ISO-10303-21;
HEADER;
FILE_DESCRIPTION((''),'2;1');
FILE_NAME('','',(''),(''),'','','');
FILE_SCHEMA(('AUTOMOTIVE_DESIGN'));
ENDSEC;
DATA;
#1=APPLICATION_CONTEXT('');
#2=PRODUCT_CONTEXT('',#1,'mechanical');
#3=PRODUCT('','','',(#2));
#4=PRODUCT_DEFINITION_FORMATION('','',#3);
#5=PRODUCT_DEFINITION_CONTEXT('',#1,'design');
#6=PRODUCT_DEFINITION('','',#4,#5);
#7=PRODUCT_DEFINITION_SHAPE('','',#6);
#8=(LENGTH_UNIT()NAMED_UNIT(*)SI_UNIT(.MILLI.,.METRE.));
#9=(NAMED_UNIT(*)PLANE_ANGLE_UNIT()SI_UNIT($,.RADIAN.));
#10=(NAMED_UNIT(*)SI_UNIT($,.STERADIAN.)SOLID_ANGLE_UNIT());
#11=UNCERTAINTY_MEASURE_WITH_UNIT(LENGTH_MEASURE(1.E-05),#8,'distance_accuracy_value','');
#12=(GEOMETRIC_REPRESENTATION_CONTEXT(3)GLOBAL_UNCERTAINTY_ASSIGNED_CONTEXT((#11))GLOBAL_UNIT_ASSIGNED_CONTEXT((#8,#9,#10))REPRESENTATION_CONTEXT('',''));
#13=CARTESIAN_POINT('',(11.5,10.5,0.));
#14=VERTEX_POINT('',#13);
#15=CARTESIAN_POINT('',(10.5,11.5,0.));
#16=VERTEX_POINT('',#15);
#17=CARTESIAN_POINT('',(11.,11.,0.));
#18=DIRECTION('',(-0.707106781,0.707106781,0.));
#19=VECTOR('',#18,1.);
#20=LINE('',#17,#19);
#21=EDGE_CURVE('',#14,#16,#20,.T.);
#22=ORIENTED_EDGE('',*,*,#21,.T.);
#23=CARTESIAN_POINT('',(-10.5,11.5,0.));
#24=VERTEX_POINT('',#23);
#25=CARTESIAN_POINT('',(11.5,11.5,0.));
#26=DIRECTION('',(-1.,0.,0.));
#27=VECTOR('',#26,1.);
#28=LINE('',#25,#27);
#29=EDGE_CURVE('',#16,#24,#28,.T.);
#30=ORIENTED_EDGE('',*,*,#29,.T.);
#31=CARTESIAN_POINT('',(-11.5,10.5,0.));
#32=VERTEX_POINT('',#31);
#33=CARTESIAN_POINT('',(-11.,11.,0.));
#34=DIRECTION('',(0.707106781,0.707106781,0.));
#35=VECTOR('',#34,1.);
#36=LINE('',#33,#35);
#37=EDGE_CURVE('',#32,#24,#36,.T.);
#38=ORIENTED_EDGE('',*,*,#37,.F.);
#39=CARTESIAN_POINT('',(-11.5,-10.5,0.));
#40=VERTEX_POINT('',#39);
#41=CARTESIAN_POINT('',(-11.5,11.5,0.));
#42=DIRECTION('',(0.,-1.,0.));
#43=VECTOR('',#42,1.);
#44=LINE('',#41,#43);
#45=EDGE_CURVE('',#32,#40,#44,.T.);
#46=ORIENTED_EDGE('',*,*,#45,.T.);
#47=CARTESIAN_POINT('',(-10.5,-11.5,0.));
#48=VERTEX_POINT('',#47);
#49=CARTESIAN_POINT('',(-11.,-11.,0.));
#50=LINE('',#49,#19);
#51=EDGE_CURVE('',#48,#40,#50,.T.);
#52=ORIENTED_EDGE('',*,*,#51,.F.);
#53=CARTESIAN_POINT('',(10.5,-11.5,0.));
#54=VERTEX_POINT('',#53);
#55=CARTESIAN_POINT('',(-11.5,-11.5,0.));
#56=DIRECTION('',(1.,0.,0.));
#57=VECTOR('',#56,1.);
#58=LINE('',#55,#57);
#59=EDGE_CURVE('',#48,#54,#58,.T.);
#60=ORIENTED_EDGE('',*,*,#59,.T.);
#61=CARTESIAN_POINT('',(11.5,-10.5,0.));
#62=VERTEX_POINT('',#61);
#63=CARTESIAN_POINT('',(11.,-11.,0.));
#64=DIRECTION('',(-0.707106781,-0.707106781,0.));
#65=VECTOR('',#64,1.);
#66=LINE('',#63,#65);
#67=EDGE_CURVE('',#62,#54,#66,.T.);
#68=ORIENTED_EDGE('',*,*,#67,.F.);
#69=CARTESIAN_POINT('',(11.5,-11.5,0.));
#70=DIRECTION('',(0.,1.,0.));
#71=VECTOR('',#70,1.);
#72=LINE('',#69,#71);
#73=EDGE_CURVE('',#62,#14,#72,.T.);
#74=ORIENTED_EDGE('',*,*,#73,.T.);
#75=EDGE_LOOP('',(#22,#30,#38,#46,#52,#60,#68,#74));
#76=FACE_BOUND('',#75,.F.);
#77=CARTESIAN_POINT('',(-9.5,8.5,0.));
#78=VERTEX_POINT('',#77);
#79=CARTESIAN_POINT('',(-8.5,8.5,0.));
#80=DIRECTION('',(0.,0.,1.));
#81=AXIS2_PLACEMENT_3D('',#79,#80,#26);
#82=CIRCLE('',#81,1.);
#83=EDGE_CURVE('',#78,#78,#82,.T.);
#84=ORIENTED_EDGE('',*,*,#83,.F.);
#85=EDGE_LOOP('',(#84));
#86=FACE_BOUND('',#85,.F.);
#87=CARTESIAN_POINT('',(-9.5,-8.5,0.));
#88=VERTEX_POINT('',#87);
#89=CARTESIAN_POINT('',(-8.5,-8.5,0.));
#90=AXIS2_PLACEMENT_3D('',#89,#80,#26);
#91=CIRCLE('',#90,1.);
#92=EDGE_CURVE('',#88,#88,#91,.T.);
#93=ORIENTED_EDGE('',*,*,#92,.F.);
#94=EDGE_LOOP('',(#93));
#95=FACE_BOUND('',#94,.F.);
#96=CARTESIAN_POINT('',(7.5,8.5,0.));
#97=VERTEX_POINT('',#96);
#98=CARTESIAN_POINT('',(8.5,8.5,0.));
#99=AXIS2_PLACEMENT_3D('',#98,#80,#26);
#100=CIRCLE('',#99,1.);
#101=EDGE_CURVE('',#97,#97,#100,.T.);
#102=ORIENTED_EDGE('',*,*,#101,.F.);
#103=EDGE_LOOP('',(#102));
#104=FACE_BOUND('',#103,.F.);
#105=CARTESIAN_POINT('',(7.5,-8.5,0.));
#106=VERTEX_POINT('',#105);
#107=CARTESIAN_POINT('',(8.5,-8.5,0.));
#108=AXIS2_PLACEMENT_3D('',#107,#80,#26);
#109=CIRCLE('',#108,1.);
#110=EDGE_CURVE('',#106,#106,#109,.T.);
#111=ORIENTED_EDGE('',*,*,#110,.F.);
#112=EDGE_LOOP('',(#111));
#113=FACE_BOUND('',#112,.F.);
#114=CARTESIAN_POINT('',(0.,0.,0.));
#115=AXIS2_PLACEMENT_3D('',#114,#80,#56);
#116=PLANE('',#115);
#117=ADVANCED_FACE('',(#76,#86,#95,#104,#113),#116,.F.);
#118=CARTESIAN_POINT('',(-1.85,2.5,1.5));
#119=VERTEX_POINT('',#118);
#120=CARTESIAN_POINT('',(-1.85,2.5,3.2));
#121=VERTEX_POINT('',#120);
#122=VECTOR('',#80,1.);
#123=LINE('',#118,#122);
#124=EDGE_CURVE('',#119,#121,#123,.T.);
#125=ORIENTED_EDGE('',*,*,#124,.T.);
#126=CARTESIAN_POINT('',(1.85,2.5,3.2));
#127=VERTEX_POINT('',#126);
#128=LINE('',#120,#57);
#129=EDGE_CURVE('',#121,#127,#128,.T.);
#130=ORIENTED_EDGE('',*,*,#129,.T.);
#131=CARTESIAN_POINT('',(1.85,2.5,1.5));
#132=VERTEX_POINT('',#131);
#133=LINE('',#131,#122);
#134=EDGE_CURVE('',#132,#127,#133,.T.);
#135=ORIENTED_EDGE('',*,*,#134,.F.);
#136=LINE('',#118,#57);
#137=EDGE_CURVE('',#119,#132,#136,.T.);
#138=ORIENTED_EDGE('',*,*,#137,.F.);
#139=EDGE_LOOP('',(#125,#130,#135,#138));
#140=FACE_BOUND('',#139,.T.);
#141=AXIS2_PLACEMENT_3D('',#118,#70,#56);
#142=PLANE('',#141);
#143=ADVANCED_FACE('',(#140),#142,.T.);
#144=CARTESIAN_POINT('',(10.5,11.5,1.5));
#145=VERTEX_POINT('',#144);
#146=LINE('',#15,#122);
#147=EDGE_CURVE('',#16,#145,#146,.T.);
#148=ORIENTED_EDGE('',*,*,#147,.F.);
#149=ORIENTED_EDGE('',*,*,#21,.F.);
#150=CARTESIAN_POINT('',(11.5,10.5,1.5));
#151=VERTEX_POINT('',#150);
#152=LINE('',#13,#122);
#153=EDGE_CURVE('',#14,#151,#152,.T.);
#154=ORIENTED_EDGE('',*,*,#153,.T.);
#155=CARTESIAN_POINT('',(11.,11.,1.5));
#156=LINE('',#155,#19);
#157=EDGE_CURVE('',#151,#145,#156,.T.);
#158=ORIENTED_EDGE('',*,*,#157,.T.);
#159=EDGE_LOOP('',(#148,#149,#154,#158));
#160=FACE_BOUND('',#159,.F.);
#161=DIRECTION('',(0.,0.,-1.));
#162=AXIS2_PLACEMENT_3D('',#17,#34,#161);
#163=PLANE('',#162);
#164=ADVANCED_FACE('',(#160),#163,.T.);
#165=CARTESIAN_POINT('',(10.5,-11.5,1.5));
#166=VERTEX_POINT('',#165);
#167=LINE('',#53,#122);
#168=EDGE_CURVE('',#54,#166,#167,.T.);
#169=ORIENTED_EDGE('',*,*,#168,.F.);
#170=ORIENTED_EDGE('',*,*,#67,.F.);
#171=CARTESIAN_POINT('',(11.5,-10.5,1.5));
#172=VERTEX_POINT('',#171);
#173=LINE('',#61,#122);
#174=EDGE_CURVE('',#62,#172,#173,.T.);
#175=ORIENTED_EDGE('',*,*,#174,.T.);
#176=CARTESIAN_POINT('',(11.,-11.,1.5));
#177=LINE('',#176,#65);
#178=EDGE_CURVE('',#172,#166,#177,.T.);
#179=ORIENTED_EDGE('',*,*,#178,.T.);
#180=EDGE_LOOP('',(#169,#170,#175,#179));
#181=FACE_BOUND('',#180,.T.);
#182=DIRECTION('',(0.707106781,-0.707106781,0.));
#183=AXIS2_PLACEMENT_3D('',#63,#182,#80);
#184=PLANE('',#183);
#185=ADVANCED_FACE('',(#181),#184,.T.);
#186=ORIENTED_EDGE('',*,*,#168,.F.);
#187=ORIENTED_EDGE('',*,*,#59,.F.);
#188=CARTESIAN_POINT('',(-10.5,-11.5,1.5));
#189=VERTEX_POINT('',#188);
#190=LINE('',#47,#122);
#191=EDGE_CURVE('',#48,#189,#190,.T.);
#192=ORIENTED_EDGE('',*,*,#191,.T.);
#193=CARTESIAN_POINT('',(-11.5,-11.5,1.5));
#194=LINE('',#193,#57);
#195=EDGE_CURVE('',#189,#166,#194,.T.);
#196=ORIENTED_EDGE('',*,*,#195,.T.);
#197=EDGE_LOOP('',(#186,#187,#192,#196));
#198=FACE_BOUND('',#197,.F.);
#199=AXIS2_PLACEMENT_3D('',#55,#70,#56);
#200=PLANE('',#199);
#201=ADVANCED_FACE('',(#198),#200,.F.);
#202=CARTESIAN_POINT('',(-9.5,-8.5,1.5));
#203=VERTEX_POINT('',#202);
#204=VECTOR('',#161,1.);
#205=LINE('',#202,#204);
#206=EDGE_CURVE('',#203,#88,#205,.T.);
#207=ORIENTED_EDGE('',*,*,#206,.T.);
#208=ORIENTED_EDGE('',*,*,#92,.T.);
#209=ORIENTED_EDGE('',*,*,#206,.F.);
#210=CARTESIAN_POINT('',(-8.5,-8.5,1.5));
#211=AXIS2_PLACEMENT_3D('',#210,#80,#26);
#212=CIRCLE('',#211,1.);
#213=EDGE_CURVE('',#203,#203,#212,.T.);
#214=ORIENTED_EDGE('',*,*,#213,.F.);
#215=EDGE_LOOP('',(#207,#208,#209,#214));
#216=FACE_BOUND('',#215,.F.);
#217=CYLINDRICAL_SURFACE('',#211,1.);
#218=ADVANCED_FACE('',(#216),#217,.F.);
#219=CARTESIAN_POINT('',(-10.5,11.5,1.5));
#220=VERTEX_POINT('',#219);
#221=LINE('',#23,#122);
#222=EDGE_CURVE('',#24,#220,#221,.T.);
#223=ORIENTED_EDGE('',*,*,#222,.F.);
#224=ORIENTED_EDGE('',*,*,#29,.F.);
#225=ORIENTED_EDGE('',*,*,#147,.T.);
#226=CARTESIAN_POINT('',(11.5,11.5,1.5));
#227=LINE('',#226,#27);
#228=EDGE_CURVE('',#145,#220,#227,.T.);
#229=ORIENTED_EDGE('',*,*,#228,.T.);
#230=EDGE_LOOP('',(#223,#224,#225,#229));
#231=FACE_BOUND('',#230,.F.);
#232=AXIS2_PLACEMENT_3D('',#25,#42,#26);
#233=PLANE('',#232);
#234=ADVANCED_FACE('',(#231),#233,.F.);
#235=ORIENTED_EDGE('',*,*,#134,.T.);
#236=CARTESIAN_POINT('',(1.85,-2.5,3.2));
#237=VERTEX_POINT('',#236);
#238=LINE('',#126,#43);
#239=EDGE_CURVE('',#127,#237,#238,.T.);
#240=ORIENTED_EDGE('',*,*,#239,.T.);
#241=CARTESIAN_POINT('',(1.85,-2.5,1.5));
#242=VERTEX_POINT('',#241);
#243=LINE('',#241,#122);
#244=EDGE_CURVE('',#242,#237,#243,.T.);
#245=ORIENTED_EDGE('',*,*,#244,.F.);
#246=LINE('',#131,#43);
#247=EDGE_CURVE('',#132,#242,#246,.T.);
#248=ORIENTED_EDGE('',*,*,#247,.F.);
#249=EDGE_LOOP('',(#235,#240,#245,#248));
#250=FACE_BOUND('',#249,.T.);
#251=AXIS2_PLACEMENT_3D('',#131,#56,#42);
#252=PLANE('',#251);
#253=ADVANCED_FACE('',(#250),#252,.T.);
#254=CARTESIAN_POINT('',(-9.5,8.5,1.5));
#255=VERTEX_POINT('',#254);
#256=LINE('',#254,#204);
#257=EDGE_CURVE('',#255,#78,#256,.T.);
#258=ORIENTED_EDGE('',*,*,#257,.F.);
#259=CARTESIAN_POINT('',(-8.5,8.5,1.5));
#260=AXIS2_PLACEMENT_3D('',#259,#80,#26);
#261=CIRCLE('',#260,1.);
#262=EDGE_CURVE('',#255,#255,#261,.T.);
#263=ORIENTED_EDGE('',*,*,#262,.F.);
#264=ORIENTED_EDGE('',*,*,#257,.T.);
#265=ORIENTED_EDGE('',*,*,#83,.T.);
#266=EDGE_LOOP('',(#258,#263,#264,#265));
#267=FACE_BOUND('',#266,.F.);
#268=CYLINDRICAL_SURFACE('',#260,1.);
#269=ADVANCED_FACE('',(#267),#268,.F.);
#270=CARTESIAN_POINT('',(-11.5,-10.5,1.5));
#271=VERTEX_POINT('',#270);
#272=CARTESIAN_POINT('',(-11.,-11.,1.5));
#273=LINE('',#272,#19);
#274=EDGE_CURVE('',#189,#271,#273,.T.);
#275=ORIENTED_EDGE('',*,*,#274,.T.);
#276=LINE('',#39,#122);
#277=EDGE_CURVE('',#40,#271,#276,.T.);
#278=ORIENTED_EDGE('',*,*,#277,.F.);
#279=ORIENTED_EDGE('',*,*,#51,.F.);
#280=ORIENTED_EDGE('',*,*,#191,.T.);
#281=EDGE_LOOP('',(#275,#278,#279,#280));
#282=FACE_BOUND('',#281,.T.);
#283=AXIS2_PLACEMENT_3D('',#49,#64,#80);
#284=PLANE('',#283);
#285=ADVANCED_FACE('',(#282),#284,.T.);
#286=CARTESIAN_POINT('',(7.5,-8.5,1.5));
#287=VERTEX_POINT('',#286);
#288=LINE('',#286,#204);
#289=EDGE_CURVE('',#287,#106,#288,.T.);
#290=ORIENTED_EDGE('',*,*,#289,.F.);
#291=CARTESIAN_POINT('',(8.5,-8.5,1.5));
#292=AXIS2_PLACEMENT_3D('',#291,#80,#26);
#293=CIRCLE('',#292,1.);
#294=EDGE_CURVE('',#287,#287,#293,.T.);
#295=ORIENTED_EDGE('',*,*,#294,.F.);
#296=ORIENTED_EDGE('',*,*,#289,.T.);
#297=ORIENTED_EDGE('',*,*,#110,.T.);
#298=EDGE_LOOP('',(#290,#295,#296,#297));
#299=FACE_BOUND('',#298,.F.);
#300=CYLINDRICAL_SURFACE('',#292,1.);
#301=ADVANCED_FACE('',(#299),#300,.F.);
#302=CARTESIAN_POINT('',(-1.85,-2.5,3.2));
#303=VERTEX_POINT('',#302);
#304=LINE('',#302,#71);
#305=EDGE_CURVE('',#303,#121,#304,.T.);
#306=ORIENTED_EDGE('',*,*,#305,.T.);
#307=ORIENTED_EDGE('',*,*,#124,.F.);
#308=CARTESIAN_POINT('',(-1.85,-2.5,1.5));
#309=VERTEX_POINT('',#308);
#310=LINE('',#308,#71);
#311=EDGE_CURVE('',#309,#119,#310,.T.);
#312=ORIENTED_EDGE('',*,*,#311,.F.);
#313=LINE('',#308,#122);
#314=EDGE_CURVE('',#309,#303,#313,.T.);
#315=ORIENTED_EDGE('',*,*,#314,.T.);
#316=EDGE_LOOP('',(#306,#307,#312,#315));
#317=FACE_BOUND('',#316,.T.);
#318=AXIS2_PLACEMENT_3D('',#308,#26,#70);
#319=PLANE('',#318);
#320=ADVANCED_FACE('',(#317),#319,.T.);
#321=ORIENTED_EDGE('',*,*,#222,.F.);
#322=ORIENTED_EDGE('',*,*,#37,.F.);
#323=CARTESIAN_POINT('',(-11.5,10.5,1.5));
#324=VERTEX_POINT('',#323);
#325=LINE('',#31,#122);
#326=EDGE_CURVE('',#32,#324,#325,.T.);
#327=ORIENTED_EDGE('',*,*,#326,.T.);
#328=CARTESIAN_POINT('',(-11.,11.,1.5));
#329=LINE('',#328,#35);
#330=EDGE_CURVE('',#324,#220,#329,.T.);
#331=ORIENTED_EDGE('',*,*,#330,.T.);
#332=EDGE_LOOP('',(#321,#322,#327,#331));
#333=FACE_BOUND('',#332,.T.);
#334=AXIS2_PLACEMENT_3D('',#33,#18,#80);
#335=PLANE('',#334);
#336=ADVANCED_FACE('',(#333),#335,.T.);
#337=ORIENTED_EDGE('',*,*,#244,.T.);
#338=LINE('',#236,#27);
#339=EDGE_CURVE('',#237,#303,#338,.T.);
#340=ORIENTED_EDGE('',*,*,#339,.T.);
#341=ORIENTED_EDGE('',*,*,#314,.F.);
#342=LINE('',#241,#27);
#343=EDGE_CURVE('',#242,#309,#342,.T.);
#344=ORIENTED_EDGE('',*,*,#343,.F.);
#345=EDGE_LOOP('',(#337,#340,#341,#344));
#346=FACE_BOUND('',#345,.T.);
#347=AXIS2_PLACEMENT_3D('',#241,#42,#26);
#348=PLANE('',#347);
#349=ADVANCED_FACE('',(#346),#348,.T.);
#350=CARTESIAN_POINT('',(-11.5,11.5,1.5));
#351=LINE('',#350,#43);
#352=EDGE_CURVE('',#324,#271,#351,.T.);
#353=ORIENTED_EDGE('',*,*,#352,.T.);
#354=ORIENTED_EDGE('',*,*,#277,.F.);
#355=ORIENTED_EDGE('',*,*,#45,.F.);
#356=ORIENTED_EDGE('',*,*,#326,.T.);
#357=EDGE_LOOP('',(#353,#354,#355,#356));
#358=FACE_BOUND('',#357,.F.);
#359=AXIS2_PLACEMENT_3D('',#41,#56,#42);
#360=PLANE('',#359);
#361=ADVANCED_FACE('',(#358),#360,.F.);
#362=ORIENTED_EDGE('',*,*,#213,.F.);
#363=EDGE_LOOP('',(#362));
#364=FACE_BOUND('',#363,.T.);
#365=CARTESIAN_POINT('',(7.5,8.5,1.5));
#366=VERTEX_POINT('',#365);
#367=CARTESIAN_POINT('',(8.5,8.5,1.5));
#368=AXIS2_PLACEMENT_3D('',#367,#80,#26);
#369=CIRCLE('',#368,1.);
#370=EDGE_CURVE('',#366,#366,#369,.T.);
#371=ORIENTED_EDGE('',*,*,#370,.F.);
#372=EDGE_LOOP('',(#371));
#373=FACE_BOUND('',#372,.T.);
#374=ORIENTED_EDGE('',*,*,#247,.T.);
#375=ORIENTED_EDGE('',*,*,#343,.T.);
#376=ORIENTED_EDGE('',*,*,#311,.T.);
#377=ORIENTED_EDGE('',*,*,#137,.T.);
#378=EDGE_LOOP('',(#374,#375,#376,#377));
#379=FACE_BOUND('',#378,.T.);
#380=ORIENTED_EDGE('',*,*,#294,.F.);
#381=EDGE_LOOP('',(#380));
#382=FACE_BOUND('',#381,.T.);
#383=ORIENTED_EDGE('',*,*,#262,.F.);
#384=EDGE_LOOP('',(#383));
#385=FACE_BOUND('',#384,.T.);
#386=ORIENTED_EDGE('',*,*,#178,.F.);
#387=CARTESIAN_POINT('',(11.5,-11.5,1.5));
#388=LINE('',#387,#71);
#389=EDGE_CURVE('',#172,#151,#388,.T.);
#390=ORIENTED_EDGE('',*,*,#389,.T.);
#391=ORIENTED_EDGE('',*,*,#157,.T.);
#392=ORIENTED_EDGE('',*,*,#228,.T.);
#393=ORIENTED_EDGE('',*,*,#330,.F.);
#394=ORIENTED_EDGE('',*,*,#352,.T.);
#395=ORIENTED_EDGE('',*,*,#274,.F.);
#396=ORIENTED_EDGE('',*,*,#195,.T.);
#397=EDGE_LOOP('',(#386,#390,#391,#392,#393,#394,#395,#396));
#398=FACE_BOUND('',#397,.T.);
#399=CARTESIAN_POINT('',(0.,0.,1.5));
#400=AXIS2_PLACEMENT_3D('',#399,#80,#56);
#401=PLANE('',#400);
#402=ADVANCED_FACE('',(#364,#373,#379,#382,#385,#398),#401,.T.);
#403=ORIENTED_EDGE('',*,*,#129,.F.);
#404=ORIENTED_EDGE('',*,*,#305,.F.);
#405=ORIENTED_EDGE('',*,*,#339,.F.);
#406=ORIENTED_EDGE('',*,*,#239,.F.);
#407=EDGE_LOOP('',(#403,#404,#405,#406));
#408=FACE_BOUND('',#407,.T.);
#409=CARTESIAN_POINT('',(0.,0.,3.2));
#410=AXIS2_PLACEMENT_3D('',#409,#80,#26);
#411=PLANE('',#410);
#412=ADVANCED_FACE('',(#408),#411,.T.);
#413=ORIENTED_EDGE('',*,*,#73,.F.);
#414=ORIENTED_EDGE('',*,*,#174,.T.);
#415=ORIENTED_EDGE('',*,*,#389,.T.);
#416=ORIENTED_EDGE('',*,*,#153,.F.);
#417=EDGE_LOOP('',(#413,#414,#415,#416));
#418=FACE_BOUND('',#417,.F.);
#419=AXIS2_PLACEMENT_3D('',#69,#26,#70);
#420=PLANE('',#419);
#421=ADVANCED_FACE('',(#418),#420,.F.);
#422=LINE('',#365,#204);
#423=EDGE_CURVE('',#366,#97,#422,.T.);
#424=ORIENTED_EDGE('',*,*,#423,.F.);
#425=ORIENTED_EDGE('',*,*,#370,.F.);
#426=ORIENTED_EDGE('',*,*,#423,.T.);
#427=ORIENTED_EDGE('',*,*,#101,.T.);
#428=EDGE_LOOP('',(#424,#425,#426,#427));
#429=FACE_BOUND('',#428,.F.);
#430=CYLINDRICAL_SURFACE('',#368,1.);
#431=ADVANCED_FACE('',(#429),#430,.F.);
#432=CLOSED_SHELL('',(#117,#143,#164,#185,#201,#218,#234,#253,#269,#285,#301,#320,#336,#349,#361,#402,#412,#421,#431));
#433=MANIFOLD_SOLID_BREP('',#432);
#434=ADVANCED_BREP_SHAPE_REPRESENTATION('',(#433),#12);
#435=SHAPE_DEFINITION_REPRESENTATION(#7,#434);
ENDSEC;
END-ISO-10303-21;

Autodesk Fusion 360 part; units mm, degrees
sketch "Sketch1" plane through (0, 0, 0) normal (0, 0, 1) x (1, 0, 0)
  line L0 (11.5, 11.5) -> (-11.5, 11.5)
  line L1 (-11.5, 11.5) -> (-11.5, -11.5)
  line L2 (-11.5, -11.5) -> (11.5, -11.5)
  line L3 (11.5, -11.5) -> (11.5, 11.5)
  line L4 (11.5, 11.5) -> (-11.5, -11.5) construction
  line L5 (-11.5, 11.5) -> (11.5, -11.5) construction
  dimension "d1" = 23
  dimension "d2" = 23
extrude "Extrude1" add sketch "Sketch1" along normal blind 1.5
chamfer "Chamfer1" distance 1 angle 45 4 edges at (-11.5, -11.5, 0.75) (11.5, -11.5, 0.75) (11.5, 11.5, 0.75) (-11.5, 11.5, 0.75)
sketch "Sketch2" plane through (0, 0, 1.5) normal (0, 0, 1) x (-1, 0, 0)
  line L0 (10.5, -11.5) -> (11.5, -10.5)
  line L1 (11.5, -10.5) -> (11.5, 10.5)
  line L2 (11.5, 10.5) -> (10.5, 11.5)
  line L3 (10.5, 11.5) -> (-10.5, 11.5)
  line L4 (-10.5, 11.5) -> (-11.5, 10.5)
  line L5 (-11.5, 10.5) -> (-11.5, -10.5)
  line L6 (-11.5, -10.5) -> (-10.5, -11.5)
  line L7 (-10.5, -11.5) -> (10.5, -11.5)
  line L8 (-1.85, 2.5) -> (1.85, 2.5)
  line L9 (1.85, 2.5) -> (1.85, -2.5)
  line L10 (1.85, -2.5) -> (-1.85, -2.5)
  line L11 (-1.85, -2.5) -> (-1.85, 2.5)
  line L12 (-1.85, 2.5) -> (1.85, -2.5) construction
  line L13 (1.85, 2.5) -> (-1.85, -2.5) construction
  dimension "d6" = 3.7
  dimension "d7" = 5
extrude "Extrude2" add sketch "Sketch2" along normal blind 1.7 contours L8 L9 L10 L11
sketch "Sketch3" plane through (0, 0, 1.5) normal (0, 0, 1) x (-1, 0, 0)
  line L0 (-1.85, -2.5) -> (-1.85, 2.5)
  line L1 (-1.85, 2.5) -> (1.85, 2.5)
  line L2 (1.85, 2.5) -> (1.85, -2.5)
  line L3 (1.85, -2.5) -> (-1.85, -2.5)
  line L4 (10.5, -11.5) -> (11.5, -10.5)
  line L5 (11.5, -10.5) -> (11.5, 10.5)
  line L6 (11.5, 10.5) -> (10.5, 11.5)
  line L7 (10.5, 11.5) -> (-10.5, 11.5)
  line L8 (-10.5, 11.5) -> (-11.5, 10.5)
  line L9 (-11.5, 10.5) -> (-11.5, -10.5)
  line L10 (-11.5, -10.5) -> (-10.5, -11.5)
  line L11 (-10.5, -11.5) -> (10.5, -11.5)
  line L12 (-8.5, -8.5) -> (8.5, -8.5) construction
  line L13 (8.5, -8.5) -> (8.5, 8.5) construction
  line L14 (8.5, 8.5) -> (-8.5, 8.5) construction
  line L15 (-8.5, 8.5) -> (-8.5, -8.5) construction
  line L16 (-8.5, -8.5) -> (8.5, 8.5) construction
  line L17 (8.5, -8.5) -> (-8.5, 8.5) construction
  circle A0 centre (8.5, -8.5) radius 1
  circle A1 centre (-8.5, -8.5) radius 1
  circle A2 centre (-8.5, 8.5) radius 1
  circle A3 centre (8.5, 8.5) radius 1
  dimension "d10" = 2
  dimension "d11" = 17
extrude "Extrude3" cut sketch "Sketch3" against normal up to surface (1.5 mm away) contours A0 | A1 | A2 | A3
equation "d8 = 3.2 mm - 1.5 mm"
